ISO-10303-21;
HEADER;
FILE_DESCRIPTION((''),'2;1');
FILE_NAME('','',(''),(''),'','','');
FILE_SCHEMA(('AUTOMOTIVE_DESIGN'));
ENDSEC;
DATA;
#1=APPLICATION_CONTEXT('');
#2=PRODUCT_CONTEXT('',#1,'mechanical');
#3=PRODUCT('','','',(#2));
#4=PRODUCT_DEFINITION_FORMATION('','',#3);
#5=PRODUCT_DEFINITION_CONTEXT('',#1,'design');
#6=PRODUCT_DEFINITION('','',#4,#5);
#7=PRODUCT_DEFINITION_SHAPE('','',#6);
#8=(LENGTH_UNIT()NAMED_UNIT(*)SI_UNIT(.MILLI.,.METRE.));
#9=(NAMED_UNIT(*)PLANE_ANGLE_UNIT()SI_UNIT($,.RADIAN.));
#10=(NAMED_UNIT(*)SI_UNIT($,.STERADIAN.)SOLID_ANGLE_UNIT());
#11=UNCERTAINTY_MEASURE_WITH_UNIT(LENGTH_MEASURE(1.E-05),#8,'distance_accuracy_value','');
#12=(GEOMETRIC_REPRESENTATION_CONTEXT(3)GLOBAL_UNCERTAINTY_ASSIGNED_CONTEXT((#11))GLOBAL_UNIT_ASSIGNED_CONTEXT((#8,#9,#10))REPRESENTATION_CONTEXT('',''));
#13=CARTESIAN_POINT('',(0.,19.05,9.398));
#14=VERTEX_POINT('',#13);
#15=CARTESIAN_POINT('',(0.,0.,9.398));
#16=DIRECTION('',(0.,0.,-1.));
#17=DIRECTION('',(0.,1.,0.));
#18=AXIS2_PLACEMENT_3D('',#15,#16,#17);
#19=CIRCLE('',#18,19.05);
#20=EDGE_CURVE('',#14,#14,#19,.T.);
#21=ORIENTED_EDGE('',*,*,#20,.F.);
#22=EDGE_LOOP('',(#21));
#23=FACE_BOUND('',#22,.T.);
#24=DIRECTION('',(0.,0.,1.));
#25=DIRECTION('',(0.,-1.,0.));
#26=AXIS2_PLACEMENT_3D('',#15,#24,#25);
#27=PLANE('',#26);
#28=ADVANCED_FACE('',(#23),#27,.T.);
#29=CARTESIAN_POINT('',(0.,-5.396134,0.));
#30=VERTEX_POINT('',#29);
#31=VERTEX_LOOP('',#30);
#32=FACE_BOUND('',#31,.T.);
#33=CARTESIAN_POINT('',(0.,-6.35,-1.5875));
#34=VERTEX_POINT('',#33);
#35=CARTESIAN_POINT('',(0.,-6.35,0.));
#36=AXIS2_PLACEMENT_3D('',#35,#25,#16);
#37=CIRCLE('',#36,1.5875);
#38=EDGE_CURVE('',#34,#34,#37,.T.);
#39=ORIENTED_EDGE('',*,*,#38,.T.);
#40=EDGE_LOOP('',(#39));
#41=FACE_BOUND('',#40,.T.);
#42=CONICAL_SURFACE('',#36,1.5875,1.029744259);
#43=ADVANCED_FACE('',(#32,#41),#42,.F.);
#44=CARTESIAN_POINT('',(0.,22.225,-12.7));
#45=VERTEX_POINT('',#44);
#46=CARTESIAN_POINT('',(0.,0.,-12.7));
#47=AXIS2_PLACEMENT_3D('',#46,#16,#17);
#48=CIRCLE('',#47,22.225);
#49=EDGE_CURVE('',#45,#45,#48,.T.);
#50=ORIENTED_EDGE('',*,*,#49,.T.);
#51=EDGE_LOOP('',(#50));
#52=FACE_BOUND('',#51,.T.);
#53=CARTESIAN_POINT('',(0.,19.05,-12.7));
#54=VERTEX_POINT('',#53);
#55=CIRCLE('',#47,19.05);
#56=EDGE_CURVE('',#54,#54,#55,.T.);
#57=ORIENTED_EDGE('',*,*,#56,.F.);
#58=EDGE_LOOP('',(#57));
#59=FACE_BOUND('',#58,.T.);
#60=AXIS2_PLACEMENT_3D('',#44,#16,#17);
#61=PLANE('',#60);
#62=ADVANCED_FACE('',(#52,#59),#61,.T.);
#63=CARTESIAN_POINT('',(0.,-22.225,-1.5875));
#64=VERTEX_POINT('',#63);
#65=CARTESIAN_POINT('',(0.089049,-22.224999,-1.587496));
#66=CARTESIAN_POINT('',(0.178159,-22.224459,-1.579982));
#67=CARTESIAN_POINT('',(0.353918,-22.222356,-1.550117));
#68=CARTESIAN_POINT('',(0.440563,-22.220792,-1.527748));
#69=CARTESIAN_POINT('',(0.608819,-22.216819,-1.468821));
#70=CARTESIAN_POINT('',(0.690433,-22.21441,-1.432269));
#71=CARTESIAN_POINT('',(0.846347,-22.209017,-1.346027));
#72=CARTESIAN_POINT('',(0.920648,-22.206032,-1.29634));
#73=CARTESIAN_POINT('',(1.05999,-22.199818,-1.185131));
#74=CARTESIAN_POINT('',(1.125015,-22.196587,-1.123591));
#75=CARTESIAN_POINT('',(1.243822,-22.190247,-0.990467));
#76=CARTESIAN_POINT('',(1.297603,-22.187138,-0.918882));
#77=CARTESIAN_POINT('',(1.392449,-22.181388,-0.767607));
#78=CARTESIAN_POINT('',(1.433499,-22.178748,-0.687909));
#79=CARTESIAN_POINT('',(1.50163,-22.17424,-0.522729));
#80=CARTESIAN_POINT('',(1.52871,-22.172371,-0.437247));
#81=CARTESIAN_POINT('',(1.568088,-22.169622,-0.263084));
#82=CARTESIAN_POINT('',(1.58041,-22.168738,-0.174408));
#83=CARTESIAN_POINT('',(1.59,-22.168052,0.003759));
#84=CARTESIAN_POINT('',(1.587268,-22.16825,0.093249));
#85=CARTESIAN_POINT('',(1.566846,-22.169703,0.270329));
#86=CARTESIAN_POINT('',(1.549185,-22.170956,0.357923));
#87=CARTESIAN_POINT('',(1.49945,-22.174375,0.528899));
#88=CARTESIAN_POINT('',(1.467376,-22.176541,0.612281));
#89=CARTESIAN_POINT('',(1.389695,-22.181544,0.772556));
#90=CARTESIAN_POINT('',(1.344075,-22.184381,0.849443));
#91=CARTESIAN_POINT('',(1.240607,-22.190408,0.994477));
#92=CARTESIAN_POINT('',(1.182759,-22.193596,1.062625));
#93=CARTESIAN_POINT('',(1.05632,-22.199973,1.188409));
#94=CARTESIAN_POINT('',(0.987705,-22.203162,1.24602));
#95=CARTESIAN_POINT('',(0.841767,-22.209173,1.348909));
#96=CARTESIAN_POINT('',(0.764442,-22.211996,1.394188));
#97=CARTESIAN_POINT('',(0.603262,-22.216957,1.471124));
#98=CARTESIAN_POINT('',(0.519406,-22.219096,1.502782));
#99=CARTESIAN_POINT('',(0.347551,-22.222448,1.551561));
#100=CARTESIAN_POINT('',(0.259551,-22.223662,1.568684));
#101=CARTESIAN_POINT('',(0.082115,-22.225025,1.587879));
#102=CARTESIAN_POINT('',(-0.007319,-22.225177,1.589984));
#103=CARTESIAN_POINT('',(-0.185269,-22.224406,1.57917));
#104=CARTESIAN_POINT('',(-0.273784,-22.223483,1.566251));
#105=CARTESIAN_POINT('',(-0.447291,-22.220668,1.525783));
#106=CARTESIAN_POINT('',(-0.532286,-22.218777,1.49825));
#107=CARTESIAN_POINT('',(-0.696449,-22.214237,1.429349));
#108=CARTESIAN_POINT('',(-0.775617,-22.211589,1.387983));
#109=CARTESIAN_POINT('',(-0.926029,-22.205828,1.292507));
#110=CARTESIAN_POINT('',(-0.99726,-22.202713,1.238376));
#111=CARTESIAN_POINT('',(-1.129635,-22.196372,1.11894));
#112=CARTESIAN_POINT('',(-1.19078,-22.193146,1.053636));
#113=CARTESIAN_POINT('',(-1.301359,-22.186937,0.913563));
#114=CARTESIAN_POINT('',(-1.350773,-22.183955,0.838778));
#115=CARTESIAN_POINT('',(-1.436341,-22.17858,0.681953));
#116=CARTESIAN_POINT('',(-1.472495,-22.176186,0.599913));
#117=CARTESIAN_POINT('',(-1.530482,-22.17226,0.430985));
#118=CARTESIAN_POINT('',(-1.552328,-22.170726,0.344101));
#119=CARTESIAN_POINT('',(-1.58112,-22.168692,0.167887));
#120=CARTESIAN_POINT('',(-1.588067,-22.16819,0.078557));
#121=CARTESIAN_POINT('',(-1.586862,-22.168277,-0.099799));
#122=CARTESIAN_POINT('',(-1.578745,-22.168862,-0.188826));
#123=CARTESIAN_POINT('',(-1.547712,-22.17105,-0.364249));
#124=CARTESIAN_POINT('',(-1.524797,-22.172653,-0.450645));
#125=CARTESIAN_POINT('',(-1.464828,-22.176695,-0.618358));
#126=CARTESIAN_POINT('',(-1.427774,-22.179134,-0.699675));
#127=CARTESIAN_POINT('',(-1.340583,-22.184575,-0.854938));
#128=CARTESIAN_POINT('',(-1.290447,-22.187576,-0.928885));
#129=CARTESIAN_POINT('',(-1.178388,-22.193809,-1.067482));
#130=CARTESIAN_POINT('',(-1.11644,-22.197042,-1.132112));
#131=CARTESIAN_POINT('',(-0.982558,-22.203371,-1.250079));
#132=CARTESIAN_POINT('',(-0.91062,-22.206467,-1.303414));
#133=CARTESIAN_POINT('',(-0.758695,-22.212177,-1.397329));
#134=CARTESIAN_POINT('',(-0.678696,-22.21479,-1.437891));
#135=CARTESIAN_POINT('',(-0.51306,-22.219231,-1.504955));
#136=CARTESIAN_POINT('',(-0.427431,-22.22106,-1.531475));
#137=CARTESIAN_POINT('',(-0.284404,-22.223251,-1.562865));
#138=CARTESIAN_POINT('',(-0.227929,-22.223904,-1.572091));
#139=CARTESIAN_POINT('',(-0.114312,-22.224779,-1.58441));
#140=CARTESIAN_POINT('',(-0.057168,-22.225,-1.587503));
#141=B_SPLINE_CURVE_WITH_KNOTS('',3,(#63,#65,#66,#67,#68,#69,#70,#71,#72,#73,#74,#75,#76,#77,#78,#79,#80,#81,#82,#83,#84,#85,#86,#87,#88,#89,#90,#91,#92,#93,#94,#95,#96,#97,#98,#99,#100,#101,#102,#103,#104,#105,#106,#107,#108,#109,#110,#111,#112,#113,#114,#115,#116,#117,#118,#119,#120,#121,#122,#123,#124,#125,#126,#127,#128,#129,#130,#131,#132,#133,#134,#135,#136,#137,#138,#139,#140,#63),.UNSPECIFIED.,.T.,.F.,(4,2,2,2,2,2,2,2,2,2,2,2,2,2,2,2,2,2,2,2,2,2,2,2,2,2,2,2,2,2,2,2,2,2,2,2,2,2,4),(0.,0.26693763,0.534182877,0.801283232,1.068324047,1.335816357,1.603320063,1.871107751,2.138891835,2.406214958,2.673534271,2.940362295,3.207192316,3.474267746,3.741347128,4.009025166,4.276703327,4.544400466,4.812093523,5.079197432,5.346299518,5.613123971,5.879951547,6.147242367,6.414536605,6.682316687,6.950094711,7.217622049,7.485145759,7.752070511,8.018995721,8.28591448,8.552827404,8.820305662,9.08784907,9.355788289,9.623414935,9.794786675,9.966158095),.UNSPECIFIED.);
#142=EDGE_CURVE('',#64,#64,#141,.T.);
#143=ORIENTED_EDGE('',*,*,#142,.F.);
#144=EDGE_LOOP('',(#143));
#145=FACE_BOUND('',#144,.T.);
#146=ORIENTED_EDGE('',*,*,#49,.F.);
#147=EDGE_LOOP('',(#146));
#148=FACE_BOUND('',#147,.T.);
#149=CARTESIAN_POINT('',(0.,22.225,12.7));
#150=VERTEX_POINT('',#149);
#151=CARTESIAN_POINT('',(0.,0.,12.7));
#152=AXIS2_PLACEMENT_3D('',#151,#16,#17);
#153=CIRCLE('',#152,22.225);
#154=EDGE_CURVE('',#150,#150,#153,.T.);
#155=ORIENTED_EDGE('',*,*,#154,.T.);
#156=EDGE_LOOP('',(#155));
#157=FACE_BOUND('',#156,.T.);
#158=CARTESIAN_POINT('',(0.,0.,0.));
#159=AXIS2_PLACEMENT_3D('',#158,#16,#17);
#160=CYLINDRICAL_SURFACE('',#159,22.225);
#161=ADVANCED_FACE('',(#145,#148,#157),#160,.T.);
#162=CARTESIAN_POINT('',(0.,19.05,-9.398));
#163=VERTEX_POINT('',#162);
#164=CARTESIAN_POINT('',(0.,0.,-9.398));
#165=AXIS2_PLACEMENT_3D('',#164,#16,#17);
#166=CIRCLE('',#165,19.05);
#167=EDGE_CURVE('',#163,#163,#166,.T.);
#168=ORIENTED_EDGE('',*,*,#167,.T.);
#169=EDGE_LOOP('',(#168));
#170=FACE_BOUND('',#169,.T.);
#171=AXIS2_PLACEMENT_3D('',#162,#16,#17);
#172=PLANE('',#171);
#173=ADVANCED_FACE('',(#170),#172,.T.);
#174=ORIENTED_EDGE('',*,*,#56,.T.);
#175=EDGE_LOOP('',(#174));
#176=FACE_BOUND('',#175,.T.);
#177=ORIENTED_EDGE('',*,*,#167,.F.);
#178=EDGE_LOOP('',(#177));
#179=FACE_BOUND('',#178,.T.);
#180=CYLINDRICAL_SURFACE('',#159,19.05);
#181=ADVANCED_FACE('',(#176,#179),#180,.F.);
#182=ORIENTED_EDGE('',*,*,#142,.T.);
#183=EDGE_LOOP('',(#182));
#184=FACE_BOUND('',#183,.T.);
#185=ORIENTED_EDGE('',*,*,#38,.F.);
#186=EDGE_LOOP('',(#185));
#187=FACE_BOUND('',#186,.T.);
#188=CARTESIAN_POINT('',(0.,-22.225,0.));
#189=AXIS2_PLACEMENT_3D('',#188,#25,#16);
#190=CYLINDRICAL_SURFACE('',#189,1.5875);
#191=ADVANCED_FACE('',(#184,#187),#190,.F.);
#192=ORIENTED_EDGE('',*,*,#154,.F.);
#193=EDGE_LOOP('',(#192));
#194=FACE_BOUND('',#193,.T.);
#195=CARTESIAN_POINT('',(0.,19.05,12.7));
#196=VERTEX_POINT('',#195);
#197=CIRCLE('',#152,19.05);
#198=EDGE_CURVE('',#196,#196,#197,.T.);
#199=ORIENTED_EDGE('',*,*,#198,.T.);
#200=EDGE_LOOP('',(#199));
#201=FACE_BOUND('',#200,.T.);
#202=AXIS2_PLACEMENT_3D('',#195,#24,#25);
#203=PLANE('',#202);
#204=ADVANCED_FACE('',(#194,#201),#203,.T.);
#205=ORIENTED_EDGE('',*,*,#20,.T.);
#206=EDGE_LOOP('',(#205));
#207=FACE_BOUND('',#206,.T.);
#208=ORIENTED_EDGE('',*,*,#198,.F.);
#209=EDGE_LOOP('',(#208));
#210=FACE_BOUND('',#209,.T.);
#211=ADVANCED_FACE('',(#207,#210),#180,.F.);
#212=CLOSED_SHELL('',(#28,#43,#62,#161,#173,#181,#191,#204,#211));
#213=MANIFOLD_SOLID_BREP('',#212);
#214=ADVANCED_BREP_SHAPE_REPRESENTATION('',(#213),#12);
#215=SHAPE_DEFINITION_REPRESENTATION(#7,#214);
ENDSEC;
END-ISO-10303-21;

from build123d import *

# Parameters (mm, degrees)
F_1_8_0_125_DIAMETER_HOLE1_D     = 3.175
F_1_8_0_125_DIAMETER_HOLE1_DEPTH = 15.875
F_1_8_0_125_DIAMETER_HOLE1_TIP   = 0.953866233


with BuildPart() as part:
    # Sketch1 → Revolve1 (revolve)
    with BuildSketch(Plane(origin=(0, 0, 0), x_dir=(0, 0, -1), z_dir=(1, 0, 0))):
        Polygon((0, 0), (-9.398, 0), (-9.398, 19.05), (-12.7, 19.05), (-12.7, 22.225), (12.7, 22.225), (12.7, 19.05), (9.398, 19.05), (9.398, 0), align=None)
    revolve(axis=Axis((0, 0, 0), (0, 0, 1)))

    # 1/8 (0.125) Diameter Hole1
    with Locations(Plane(origin=(0, -22.225, 0), x_dir=(-1, 0, 0), z_dir=(0, -1, 0))):
        with Locations((0, 0)):
            Hole(F_1_8_0_125_DIAMETER_HOLE1_D / 2, depth=F_1_8_0_125_DIAMETER_HOLE1_DEPTH)
            with Locations((0, 0, -(F_1_8_0_125_DIAMETER_HOLE1_DEPTH + F_1_8_0_125_DIAMETER_HOLE1_TIP / 2))):  # 118° drill point
                Cone(0, F_1_8_0_125_DIAMETER_HOLE1_D / 2, F_1_8_0_125_DIAMETER_HOLE1_TIP, mode=Mode.SUBTRACT)


solid = part.part
